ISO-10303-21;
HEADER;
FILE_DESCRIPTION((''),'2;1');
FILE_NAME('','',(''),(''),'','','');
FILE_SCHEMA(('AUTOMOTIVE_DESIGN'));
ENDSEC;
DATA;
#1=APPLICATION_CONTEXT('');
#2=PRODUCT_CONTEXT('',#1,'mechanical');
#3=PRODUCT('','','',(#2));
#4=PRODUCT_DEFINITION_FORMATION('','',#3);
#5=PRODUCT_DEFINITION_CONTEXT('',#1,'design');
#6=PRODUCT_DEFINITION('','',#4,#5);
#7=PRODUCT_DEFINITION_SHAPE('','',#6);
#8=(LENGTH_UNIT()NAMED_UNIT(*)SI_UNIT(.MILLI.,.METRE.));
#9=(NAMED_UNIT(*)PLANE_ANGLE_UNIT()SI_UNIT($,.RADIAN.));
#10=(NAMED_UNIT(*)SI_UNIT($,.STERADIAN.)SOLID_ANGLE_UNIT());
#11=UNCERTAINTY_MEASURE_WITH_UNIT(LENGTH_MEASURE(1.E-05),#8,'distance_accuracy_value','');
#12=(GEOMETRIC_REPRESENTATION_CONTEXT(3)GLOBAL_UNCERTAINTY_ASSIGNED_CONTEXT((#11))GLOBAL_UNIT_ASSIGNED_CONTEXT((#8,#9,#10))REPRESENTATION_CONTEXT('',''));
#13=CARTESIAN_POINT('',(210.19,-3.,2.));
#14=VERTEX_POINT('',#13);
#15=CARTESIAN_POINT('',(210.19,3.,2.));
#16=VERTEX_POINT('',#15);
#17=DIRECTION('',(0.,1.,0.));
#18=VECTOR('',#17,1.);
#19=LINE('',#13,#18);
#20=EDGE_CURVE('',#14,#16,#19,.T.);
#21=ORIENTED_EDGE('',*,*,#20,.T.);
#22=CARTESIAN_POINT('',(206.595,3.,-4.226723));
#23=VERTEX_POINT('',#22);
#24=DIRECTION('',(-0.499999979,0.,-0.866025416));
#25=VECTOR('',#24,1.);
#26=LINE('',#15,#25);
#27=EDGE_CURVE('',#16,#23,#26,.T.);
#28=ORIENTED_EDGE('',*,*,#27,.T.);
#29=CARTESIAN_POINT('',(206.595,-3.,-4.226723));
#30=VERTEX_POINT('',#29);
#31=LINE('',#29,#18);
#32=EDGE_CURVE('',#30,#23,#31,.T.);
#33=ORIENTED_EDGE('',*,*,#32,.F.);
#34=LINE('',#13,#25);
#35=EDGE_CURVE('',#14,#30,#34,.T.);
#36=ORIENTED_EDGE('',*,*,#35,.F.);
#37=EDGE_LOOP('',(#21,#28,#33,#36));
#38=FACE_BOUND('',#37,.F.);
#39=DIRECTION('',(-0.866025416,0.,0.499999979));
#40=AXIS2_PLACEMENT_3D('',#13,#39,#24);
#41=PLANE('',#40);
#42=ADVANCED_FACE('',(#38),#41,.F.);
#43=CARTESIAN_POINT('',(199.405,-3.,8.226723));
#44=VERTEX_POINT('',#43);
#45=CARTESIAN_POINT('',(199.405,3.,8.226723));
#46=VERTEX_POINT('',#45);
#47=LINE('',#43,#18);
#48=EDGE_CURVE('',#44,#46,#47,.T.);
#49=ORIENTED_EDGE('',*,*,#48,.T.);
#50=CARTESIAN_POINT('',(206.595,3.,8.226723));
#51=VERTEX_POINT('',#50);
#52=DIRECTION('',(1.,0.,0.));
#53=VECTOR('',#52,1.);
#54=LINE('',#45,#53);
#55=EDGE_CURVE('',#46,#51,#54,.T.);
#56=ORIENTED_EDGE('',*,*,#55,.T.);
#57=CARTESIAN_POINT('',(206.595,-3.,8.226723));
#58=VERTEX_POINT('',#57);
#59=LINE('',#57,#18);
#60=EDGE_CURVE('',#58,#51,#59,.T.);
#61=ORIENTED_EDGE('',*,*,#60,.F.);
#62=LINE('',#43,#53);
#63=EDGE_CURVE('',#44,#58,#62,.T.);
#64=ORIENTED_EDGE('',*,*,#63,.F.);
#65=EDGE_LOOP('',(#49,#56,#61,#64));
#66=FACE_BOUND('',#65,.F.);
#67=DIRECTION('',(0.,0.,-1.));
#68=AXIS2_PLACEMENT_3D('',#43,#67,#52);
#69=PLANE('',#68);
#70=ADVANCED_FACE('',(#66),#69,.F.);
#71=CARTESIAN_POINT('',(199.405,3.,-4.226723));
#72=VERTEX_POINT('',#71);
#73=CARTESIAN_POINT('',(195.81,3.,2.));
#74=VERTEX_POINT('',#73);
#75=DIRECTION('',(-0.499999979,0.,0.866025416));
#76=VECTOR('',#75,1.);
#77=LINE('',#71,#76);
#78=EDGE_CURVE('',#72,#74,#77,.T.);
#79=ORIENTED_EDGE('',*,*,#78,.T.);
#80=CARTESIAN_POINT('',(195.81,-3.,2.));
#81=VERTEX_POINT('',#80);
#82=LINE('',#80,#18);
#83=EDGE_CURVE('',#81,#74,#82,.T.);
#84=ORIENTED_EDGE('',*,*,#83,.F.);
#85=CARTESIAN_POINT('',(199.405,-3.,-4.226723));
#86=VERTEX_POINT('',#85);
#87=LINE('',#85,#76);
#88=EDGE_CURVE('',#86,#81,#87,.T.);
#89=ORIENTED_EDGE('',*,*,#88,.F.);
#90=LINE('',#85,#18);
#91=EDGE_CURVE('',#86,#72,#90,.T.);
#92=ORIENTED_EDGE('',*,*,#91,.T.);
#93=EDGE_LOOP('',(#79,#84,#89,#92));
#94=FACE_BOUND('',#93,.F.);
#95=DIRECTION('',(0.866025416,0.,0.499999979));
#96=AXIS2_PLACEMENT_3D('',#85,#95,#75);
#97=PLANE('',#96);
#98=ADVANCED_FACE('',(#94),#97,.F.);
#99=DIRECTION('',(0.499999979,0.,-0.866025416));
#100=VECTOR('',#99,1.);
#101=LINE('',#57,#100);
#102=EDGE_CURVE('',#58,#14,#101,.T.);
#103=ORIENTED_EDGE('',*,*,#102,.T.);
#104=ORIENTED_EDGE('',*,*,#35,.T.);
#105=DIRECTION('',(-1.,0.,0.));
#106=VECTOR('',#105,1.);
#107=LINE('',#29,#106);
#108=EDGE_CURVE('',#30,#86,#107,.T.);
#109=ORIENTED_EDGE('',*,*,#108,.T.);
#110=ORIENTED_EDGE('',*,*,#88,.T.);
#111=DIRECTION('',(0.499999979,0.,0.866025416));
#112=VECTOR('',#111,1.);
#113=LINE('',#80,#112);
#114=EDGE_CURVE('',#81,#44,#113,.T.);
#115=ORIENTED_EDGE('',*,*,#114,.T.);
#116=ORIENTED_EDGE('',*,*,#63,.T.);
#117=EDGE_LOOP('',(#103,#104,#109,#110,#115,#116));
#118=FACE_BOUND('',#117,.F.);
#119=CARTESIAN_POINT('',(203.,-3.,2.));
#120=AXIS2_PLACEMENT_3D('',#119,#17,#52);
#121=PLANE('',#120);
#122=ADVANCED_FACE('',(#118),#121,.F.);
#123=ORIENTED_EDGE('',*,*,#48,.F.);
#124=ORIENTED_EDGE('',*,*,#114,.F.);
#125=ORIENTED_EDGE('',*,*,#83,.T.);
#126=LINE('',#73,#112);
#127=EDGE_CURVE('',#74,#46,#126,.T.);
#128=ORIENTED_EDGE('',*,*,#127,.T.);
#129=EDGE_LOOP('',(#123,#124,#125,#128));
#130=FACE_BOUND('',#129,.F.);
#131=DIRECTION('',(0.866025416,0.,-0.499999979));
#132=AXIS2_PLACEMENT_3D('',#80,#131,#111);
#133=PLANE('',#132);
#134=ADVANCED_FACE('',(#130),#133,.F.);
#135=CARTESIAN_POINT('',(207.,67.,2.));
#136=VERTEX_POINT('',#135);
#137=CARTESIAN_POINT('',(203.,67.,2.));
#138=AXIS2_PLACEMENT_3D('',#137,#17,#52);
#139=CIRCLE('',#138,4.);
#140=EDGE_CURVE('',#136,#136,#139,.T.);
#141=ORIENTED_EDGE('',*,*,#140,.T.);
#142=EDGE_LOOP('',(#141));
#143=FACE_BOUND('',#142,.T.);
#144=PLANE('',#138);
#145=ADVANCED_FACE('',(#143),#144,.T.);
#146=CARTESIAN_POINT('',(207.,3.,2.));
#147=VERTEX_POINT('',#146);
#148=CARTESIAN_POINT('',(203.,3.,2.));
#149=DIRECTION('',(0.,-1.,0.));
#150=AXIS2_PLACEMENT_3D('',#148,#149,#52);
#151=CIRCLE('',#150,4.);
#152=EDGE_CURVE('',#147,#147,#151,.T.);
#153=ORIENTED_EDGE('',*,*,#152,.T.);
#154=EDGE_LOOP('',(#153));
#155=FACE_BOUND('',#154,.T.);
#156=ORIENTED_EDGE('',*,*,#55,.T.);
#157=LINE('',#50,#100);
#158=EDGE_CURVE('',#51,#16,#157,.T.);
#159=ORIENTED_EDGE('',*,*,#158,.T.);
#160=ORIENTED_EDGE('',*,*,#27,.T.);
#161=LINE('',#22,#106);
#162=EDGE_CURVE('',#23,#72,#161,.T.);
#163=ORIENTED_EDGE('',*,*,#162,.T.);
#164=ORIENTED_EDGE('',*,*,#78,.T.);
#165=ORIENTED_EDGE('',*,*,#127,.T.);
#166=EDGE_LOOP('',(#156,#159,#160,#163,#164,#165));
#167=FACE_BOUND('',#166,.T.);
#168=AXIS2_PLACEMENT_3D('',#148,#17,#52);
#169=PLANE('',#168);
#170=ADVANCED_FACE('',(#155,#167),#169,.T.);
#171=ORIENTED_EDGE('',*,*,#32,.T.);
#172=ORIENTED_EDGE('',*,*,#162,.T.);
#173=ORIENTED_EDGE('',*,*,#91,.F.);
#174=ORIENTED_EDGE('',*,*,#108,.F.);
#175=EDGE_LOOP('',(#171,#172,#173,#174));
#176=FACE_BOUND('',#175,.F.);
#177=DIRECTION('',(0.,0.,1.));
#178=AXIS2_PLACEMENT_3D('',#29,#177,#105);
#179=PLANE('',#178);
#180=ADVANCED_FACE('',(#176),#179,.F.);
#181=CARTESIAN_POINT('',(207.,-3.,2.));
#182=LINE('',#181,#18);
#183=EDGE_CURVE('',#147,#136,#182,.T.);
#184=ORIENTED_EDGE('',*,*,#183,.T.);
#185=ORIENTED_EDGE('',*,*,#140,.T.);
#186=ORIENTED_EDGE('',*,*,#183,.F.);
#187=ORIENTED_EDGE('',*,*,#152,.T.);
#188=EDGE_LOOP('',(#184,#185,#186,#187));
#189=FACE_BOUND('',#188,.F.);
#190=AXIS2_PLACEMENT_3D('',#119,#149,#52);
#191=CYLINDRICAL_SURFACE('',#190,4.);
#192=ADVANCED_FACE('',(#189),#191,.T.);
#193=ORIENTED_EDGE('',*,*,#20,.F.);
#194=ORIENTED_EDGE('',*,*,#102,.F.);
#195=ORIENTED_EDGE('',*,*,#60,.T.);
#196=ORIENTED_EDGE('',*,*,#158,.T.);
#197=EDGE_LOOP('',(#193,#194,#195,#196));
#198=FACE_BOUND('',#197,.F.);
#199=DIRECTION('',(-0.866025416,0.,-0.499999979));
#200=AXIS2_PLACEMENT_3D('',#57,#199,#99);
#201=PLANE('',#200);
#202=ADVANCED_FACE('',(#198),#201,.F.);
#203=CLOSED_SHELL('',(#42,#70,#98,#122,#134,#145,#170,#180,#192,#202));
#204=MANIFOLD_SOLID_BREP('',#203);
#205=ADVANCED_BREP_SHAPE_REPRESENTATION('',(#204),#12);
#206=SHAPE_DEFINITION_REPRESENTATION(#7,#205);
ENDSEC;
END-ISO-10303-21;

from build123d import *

# Parameters (mm, degrees)
CYLINDER032_R             = 4
CYLINDER032_DEPTH         = 70
PRISM004_DEPTH            = 6
FUSION014_PLACEMENT_ANGLE = 90


with BuildPart() as cilindro032:
    # Cylinder032 → Cylinder032 (new body)
    with BuildSketch(Plane.XY):
        Circle(CYLINDER032_R)
    extrude(amount=CYLINDER032_DEPTH)


with BuildPart() as tornillo_m8:
    # Prism004 → Prism004 (new body)
    with BuildSketch(Plane.XY):
        Polygon((7.19, 0), (3.595, 6.226723), (-3.595, 6.226723), (-7.19, 0), (-3.595, -6.226723), (3.595, -6.226723), align=None)
    extrude(amount=PRISM004_DEPTH)

    # Fusion014: union Cilindro032
    add(cilindro032.part)


with BuildPart() as tornillo_m8_1:
    # Fusion014 placement: moved
    add(tornillo_m8.part.moved(Location((203, -3, 2))).rotate(Axis((203, -3, 2), (-1, 0, 0)), FUSION014_PLACEMENT_ANGLE))


solid = tornillo_m8_1.part
